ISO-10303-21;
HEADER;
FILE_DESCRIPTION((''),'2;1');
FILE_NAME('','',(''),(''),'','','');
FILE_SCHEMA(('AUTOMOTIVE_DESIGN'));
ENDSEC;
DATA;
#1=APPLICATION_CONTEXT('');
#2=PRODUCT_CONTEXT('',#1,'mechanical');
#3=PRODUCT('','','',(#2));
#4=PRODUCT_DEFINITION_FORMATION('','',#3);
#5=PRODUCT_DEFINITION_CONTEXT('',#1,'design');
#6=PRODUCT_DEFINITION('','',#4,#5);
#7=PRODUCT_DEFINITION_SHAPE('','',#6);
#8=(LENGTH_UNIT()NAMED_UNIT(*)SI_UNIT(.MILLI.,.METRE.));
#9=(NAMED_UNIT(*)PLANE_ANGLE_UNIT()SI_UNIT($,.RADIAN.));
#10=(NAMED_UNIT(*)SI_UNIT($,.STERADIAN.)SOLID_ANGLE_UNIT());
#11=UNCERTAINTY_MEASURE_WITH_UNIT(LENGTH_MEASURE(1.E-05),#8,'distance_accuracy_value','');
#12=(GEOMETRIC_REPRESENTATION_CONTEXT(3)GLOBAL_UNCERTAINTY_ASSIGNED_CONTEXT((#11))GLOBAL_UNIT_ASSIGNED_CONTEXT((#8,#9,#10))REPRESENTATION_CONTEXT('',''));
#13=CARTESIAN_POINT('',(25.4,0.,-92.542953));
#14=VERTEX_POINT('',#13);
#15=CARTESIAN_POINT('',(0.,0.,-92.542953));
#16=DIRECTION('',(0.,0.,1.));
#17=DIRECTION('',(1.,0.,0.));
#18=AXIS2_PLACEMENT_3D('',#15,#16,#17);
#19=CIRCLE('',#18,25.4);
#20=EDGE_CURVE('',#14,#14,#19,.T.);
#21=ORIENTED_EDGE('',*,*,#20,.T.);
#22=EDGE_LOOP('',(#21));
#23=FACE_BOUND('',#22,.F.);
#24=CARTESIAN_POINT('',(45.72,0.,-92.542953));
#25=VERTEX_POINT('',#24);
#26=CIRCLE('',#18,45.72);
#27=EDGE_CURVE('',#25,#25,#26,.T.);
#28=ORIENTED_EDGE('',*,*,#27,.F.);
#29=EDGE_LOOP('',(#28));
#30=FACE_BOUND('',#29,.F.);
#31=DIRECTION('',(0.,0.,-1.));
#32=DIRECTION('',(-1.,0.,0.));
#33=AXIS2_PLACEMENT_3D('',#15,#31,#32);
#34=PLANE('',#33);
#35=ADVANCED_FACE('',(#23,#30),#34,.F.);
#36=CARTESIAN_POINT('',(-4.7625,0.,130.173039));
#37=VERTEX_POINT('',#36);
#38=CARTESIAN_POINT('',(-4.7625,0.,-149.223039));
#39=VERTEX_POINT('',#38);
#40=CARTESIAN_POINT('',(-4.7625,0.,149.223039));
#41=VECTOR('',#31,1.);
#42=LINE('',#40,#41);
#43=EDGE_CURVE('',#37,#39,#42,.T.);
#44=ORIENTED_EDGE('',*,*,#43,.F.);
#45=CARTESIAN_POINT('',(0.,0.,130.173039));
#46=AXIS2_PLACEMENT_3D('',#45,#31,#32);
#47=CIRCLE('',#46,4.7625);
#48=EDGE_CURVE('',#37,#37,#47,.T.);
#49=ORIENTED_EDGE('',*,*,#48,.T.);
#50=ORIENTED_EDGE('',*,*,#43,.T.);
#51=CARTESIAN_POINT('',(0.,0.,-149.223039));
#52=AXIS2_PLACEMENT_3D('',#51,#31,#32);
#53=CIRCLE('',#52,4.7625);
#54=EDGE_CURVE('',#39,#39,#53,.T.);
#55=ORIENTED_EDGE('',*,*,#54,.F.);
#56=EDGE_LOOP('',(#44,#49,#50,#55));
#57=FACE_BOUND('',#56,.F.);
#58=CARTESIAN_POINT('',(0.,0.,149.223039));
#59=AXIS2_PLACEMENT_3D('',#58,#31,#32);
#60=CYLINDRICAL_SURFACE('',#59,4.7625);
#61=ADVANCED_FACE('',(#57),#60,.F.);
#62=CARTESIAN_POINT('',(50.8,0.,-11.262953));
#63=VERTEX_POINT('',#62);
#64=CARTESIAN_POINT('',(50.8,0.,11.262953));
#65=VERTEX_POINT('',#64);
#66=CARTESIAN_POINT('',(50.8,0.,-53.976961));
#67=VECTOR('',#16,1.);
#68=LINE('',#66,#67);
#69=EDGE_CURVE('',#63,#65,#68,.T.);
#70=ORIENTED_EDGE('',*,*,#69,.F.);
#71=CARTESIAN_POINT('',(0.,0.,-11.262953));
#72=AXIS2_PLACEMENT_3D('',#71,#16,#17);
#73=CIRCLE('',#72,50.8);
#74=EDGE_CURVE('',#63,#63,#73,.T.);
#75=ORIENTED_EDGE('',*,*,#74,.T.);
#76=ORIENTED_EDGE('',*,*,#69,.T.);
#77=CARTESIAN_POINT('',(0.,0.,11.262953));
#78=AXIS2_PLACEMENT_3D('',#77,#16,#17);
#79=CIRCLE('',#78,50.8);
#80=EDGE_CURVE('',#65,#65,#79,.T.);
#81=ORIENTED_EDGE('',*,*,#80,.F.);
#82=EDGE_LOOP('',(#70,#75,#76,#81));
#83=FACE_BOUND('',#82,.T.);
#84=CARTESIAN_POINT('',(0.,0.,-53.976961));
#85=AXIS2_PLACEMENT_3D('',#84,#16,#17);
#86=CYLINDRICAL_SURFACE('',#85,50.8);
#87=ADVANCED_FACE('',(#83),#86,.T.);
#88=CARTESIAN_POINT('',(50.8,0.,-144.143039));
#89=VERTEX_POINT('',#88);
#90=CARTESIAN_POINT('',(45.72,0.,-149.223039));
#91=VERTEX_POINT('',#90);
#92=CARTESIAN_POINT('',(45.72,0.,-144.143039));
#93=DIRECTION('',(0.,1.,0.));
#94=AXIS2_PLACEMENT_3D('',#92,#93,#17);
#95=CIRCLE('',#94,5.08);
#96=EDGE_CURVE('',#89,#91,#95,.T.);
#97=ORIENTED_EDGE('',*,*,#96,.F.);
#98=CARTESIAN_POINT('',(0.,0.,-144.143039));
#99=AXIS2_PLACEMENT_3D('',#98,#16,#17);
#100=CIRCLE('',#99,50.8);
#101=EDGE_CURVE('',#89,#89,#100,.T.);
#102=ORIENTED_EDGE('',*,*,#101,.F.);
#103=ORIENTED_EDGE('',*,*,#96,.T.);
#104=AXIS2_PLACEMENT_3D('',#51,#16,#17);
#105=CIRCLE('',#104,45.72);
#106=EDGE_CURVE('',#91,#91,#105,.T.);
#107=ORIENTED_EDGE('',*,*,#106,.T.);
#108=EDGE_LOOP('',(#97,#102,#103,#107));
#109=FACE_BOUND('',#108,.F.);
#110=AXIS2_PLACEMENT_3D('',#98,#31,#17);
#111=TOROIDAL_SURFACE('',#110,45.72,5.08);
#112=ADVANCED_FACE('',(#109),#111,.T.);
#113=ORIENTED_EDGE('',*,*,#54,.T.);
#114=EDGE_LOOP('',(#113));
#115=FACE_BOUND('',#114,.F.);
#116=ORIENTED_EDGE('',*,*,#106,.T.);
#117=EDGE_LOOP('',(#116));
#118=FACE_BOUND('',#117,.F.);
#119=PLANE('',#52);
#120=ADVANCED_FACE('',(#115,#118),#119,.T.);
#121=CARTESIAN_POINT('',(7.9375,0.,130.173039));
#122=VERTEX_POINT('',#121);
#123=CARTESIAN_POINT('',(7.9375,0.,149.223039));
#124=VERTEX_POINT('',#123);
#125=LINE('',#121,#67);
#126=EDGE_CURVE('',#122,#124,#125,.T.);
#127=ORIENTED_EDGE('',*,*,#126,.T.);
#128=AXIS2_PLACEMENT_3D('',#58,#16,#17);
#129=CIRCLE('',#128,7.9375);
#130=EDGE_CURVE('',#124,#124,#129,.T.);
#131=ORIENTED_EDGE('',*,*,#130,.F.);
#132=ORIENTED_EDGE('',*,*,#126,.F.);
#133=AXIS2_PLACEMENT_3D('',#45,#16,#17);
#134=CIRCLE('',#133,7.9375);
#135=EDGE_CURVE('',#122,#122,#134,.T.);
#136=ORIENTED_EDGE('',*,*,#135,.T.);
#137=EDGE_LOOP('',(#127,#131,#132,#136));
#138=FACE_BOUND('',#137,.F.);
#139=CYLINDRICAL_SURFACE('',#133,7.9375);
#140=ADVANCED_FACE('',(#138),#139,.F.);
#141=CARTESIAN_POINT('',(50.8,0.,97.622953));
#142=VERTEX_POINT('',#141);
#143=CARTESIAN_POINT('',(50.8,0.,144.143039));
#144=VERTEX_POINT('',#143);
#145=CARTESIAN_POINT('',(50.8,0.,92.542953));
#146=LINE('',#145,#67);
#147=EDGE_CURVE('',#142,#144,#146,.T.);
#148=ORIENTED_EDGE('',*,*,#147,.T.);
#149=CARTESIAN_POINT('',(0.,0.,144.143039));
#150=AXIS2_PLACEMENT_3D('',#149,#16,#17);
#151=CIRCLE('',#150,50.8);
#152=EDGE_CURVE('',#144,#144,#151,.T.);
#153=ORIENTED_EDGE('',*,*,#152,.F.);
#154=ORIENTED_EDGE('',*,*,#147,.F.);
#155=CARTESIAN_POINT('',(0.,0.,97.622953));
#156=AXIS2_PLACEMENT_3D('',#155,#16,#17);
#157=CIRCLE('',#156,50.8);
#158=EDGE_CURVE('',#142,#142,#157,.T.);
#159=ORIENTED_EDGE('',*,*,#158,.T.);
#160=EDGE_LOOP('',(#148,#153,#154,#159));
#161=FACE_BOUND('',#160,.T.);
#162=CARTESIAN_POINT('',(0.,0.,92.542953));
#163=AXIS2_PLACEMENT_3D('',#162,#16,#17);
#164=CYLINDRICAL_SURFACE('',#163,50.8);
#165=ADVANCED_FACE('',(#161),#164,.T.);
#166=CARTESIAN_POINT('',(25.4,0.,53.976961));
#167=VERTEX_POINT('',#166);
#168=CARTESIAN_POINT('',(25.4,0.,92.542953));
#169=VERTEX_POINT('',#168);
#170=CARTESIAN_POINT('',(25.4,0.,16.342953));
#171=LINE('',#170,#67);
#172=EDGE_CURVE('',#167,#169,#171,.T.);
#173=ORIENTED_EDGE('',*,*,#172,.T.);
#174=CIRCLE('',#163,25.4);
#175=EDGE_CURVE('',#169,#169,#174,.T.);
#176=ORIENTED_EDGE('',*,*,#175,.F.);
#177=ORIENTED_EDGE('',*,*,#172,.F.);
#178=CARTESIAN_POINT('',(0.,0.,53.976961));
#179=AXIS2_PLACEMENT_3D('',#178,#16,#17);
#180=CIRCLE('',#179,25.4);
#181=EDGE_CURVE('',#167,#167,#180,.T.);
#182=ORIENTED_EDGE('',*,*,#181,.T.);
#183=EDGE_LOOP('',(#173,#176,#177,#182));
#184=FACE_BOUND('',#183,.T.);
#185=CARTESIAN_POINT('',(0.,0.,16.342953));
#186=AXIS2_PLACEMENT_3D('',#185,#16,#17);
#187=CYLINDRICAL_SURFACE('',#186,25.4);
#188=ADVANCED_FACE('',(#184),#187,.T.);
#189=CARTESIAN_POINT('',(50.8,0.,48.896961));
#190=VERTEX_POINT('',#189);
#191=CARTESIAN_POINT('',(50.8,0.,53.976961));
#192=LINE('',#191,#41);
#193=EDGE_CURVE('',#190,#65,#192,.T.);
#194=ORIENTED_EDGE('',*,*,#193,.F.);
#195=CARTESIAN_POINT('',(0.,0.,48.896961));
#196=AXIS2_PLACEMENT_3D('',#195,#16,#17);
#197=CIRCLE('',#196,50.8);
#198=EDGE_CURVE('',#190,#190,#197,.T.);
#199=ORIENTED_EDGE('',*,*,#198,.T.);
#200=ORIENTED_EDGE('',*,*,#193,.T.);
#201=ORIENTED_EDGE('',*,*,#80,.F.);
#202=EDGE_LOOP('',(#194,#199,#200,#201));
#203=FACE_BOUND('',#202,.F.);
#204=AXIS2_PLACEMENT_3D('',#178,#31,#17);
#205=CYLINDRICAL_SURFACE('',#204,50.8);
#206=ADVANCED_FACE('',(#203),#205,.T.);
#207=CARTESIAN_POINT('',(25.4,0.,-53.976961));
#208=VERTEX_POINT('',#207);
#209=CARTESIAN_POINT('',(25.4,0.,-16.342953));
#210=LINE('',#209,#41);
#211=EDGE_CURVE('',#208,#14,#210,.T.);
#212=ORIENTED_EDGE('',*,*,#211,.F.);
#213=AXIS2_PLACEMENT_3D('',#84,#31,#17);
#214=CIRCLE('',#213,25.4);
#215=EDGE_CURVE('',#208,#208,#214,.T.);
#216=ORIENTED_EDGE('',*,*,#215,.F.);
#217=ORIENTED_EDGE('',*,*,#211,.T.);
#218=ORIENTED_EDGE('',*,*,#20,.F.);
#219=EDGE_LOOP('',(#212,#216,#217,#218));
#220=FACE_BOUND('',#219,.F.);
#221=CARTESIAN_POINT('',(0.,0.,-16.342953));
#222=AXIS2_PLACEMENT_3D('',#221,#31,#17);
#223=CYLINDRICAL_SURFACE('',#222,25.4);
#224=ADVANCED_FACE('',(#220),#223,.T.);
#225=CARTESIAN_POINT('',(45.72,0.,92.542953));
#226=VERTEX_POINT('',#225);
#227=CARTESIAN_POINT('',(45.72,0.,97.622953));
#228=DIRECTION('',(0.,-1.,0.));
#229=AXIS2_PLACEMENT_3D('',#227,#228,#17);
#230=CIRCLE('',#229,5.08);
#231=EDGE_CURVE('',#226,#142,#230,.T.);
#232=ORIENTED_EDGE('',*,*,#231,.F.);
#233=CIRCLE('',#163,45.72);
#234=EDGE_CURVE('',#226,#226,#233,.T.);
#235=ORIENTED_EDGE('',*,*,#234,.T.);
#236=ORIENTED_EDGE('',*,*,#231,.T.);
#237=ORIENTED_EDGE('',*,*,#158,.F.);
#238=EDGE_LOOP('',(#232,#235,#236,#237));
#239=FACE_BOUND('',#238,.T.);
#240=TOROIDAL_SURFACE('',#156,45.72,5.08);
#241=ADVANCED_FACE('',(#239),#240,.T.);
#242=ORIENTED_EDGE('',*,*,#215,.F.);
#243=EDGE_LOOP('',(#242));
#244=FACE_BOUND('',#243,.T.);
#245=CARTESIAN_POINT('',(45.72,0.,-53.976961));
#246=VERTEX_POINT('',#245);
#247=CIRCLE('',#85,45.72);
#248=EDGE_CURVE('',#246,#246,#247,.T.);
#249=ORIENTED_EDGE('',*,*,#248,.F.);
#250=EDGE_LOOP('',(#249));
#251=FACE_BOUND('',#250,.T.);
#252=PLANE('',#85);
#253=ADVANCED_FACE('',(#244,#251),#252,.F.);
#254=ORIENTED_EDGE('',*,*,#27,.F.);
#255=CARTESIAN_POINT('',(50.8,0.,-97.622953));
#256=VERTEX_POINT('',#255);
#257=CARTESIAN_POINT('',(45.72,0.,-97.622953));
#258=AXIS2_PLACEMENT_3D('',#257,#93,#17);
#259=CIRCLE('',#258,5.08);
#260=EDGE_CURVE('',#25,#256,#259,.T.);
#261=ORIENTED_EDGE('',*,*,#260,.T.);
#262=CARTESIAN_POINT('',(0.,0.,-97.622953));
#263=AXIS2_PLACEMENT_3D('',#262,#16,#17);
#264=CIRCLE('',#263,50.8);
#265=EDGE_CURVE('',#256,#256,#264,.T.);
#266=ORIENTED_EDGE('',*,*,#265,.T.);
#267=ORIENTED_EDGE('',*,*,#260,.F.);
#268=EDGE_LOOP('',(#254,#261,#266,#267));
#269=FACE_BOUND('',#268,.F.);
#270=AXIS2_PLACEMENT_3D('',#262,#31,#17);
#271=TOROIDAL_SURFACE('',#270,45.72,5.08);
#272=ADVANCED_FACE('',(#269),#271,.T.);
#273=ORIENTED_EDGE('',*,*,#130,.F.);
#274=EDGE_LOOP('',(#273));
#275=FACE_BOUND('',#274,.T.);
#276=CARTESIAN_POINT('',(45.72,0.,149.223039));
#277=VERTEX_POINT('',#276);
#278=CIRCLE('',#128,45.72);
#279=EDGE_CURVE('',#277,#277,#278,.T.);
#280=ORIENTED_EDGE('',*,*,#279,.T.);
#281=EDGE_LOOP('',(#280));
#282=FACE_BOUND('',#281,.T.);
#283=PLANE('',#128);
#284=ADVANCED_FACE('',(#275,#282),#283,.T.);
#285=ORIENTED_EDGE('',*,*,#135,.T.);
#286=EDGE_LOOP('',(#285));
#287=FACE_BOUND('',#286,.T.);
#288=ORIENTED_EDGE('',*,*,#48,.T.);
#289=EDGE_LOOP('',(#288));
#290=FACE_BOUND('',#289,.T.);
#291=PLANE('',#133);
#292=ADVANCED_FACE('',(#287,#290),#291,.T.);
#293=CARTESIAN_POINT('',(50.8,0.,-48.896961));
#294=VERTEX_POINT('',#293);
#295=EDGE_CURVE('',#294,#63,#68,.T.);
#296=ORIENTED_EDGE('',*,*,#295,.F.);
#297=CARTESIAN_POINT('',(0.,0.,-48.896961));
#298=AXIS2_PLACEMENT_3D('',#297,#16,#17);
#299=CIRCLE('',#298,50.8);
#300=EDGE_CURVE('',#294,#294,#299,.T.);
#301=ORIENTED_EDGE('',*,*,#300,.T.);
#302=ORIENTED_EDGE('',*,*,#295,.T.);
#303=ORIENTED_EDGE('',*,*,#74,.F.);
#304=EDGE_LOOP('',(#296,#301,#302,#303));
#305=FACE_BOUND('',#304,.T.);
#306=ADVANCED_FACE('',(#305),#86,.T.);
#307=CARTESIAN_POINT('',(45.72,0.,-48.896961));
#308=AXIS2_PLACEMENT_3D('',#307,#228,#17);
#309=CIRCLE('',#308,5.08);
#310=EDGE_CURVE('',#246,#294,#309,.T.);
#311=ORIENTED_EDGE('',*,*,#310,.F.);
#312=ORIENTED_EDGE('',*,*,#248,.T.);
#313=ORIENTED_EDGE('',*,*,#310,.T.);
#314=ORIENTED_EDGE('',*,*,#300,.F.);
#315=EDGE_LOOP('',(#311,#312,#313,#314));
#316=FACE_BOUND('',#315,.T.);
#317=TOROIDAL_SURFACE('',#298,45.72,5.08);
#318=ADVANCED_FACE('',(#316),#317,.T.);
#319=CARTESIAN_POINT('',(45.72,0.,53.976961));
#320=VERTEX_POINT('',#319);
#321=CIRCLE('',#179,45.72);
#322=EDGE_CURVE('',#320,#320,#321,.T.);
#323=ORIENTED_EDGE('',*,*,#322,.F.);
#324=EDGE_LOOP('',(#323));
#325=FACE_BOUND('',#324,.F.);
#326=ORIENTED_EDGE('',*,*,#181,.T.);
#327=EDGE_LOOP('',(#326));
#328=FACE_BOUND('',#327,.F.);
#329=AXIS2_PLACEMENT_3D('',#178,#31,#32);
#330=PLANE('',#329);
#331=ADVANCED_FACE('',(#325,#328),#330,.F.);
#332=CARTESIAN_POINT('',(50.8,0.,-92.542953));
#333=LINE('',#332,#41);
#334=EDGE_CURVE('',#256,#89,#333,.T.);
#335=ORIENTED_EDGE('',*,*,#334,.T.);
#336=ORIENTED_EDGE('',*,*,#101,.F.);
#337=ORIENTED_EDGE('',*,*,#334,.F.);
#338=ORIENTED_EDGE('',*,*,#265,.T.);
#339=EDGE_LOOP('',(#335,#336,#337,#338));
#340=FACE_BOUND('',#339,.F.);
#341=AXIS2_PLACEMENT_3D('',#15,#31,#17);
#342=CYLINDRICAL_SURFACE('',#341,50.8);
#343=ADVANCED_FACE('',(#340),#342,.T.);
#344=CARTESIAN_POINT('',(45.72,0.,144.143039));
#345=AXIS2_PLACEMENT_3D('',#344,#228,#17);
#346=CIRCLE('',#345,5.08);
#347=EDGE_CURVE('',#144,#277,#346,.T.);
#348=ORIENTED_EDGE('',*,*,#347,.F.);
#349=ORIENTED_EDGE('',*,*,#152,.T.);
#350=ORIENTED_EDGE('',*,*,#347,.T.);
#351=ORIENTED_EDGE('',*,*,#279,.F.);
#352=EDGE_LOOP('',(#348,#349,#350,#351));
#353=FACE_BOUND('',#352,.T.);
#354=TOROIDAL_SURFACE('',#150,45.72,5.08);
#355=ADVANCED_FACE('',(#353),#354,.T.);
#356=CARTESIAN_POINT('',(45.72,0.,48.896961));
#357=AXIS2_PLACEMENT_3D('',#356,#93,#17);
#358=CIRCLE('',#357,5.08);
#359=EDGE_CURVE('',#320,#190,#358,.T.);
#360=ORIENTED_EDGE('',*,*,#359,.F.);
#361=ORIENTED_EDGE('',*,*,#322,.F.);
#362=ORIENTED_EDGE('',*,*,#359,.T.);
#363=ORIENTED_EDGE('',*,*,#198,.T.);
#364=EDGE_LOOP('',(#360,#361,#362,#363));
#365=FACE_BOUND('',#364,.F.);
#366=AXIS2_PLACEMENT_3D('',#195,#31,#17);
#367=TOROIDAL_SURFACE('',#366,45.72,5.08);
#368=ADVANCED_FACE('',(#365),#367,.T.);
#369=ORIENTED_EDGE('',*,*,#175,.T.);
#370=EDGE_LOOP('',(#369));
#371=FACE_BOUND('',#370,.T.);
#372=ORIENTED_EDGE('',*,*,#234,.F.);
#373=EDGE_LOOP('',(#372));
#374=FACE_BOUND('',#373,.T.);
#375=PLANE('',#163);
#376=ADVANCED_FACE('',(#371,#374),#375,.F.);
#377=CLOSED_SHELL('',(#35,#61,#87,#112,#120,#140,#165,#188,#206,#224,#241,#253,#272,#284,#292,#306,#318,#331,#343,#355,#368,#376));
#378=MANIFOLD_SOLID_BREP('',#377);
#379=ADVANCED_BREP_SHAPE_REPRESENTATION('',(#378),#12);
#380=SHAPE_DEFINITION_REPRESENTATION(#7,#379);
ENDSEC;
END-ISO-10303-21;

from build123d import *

# Parameters (mm, degrees)
F2_R           = 5.08
F5_D           = 9.525
F5_CBORE_D     = 15.875
F5_CBORE_DEPTH = 19.05


with BuildPart() as f1:
    # F0 (on Front) → F1 (revolve)
    with BuildSketch(Plane.XZ):
        Polygon((0, -53.9769612057), (50.8, -53.9769612057), (50.8, 16.3429528475), (25.4, 16.3429528475), (25.4, 92.5429528475), (50.8, 92.5429528475), (50.8, 149.2230387943), (0, 149.2230387943), align=None)
    revolve(axis=Axis((0, 0, 47.6230387943), (0, 0, 1)))

    # F2
    f2_edges = [f1.edges().sort_by_distance(p)[0] for p in [
        (-50.8, 0, -53.976961),
        (-50.8, 0, 16.342953),
        (-50.8, 0, 149.223039),
        (-50.8, 0, 92.542953),
    ]]
    fillet(f2_edges, radius=F2_R)

    # F3: F1 across plane


with BuildPart() as f1_1:
    add(f1.part)
    add(f1.part.mirror(Plane.XY))

    # F5 (through all)
    with Locations(Plane.XY.offset(149.2230387943)):
        with Locations((0, 0)):
            CounterBoreHole(F5_D / 2, F5_CBORE_D / 2, F5_CBORE_DEPTH)


solid = f1_1.part
